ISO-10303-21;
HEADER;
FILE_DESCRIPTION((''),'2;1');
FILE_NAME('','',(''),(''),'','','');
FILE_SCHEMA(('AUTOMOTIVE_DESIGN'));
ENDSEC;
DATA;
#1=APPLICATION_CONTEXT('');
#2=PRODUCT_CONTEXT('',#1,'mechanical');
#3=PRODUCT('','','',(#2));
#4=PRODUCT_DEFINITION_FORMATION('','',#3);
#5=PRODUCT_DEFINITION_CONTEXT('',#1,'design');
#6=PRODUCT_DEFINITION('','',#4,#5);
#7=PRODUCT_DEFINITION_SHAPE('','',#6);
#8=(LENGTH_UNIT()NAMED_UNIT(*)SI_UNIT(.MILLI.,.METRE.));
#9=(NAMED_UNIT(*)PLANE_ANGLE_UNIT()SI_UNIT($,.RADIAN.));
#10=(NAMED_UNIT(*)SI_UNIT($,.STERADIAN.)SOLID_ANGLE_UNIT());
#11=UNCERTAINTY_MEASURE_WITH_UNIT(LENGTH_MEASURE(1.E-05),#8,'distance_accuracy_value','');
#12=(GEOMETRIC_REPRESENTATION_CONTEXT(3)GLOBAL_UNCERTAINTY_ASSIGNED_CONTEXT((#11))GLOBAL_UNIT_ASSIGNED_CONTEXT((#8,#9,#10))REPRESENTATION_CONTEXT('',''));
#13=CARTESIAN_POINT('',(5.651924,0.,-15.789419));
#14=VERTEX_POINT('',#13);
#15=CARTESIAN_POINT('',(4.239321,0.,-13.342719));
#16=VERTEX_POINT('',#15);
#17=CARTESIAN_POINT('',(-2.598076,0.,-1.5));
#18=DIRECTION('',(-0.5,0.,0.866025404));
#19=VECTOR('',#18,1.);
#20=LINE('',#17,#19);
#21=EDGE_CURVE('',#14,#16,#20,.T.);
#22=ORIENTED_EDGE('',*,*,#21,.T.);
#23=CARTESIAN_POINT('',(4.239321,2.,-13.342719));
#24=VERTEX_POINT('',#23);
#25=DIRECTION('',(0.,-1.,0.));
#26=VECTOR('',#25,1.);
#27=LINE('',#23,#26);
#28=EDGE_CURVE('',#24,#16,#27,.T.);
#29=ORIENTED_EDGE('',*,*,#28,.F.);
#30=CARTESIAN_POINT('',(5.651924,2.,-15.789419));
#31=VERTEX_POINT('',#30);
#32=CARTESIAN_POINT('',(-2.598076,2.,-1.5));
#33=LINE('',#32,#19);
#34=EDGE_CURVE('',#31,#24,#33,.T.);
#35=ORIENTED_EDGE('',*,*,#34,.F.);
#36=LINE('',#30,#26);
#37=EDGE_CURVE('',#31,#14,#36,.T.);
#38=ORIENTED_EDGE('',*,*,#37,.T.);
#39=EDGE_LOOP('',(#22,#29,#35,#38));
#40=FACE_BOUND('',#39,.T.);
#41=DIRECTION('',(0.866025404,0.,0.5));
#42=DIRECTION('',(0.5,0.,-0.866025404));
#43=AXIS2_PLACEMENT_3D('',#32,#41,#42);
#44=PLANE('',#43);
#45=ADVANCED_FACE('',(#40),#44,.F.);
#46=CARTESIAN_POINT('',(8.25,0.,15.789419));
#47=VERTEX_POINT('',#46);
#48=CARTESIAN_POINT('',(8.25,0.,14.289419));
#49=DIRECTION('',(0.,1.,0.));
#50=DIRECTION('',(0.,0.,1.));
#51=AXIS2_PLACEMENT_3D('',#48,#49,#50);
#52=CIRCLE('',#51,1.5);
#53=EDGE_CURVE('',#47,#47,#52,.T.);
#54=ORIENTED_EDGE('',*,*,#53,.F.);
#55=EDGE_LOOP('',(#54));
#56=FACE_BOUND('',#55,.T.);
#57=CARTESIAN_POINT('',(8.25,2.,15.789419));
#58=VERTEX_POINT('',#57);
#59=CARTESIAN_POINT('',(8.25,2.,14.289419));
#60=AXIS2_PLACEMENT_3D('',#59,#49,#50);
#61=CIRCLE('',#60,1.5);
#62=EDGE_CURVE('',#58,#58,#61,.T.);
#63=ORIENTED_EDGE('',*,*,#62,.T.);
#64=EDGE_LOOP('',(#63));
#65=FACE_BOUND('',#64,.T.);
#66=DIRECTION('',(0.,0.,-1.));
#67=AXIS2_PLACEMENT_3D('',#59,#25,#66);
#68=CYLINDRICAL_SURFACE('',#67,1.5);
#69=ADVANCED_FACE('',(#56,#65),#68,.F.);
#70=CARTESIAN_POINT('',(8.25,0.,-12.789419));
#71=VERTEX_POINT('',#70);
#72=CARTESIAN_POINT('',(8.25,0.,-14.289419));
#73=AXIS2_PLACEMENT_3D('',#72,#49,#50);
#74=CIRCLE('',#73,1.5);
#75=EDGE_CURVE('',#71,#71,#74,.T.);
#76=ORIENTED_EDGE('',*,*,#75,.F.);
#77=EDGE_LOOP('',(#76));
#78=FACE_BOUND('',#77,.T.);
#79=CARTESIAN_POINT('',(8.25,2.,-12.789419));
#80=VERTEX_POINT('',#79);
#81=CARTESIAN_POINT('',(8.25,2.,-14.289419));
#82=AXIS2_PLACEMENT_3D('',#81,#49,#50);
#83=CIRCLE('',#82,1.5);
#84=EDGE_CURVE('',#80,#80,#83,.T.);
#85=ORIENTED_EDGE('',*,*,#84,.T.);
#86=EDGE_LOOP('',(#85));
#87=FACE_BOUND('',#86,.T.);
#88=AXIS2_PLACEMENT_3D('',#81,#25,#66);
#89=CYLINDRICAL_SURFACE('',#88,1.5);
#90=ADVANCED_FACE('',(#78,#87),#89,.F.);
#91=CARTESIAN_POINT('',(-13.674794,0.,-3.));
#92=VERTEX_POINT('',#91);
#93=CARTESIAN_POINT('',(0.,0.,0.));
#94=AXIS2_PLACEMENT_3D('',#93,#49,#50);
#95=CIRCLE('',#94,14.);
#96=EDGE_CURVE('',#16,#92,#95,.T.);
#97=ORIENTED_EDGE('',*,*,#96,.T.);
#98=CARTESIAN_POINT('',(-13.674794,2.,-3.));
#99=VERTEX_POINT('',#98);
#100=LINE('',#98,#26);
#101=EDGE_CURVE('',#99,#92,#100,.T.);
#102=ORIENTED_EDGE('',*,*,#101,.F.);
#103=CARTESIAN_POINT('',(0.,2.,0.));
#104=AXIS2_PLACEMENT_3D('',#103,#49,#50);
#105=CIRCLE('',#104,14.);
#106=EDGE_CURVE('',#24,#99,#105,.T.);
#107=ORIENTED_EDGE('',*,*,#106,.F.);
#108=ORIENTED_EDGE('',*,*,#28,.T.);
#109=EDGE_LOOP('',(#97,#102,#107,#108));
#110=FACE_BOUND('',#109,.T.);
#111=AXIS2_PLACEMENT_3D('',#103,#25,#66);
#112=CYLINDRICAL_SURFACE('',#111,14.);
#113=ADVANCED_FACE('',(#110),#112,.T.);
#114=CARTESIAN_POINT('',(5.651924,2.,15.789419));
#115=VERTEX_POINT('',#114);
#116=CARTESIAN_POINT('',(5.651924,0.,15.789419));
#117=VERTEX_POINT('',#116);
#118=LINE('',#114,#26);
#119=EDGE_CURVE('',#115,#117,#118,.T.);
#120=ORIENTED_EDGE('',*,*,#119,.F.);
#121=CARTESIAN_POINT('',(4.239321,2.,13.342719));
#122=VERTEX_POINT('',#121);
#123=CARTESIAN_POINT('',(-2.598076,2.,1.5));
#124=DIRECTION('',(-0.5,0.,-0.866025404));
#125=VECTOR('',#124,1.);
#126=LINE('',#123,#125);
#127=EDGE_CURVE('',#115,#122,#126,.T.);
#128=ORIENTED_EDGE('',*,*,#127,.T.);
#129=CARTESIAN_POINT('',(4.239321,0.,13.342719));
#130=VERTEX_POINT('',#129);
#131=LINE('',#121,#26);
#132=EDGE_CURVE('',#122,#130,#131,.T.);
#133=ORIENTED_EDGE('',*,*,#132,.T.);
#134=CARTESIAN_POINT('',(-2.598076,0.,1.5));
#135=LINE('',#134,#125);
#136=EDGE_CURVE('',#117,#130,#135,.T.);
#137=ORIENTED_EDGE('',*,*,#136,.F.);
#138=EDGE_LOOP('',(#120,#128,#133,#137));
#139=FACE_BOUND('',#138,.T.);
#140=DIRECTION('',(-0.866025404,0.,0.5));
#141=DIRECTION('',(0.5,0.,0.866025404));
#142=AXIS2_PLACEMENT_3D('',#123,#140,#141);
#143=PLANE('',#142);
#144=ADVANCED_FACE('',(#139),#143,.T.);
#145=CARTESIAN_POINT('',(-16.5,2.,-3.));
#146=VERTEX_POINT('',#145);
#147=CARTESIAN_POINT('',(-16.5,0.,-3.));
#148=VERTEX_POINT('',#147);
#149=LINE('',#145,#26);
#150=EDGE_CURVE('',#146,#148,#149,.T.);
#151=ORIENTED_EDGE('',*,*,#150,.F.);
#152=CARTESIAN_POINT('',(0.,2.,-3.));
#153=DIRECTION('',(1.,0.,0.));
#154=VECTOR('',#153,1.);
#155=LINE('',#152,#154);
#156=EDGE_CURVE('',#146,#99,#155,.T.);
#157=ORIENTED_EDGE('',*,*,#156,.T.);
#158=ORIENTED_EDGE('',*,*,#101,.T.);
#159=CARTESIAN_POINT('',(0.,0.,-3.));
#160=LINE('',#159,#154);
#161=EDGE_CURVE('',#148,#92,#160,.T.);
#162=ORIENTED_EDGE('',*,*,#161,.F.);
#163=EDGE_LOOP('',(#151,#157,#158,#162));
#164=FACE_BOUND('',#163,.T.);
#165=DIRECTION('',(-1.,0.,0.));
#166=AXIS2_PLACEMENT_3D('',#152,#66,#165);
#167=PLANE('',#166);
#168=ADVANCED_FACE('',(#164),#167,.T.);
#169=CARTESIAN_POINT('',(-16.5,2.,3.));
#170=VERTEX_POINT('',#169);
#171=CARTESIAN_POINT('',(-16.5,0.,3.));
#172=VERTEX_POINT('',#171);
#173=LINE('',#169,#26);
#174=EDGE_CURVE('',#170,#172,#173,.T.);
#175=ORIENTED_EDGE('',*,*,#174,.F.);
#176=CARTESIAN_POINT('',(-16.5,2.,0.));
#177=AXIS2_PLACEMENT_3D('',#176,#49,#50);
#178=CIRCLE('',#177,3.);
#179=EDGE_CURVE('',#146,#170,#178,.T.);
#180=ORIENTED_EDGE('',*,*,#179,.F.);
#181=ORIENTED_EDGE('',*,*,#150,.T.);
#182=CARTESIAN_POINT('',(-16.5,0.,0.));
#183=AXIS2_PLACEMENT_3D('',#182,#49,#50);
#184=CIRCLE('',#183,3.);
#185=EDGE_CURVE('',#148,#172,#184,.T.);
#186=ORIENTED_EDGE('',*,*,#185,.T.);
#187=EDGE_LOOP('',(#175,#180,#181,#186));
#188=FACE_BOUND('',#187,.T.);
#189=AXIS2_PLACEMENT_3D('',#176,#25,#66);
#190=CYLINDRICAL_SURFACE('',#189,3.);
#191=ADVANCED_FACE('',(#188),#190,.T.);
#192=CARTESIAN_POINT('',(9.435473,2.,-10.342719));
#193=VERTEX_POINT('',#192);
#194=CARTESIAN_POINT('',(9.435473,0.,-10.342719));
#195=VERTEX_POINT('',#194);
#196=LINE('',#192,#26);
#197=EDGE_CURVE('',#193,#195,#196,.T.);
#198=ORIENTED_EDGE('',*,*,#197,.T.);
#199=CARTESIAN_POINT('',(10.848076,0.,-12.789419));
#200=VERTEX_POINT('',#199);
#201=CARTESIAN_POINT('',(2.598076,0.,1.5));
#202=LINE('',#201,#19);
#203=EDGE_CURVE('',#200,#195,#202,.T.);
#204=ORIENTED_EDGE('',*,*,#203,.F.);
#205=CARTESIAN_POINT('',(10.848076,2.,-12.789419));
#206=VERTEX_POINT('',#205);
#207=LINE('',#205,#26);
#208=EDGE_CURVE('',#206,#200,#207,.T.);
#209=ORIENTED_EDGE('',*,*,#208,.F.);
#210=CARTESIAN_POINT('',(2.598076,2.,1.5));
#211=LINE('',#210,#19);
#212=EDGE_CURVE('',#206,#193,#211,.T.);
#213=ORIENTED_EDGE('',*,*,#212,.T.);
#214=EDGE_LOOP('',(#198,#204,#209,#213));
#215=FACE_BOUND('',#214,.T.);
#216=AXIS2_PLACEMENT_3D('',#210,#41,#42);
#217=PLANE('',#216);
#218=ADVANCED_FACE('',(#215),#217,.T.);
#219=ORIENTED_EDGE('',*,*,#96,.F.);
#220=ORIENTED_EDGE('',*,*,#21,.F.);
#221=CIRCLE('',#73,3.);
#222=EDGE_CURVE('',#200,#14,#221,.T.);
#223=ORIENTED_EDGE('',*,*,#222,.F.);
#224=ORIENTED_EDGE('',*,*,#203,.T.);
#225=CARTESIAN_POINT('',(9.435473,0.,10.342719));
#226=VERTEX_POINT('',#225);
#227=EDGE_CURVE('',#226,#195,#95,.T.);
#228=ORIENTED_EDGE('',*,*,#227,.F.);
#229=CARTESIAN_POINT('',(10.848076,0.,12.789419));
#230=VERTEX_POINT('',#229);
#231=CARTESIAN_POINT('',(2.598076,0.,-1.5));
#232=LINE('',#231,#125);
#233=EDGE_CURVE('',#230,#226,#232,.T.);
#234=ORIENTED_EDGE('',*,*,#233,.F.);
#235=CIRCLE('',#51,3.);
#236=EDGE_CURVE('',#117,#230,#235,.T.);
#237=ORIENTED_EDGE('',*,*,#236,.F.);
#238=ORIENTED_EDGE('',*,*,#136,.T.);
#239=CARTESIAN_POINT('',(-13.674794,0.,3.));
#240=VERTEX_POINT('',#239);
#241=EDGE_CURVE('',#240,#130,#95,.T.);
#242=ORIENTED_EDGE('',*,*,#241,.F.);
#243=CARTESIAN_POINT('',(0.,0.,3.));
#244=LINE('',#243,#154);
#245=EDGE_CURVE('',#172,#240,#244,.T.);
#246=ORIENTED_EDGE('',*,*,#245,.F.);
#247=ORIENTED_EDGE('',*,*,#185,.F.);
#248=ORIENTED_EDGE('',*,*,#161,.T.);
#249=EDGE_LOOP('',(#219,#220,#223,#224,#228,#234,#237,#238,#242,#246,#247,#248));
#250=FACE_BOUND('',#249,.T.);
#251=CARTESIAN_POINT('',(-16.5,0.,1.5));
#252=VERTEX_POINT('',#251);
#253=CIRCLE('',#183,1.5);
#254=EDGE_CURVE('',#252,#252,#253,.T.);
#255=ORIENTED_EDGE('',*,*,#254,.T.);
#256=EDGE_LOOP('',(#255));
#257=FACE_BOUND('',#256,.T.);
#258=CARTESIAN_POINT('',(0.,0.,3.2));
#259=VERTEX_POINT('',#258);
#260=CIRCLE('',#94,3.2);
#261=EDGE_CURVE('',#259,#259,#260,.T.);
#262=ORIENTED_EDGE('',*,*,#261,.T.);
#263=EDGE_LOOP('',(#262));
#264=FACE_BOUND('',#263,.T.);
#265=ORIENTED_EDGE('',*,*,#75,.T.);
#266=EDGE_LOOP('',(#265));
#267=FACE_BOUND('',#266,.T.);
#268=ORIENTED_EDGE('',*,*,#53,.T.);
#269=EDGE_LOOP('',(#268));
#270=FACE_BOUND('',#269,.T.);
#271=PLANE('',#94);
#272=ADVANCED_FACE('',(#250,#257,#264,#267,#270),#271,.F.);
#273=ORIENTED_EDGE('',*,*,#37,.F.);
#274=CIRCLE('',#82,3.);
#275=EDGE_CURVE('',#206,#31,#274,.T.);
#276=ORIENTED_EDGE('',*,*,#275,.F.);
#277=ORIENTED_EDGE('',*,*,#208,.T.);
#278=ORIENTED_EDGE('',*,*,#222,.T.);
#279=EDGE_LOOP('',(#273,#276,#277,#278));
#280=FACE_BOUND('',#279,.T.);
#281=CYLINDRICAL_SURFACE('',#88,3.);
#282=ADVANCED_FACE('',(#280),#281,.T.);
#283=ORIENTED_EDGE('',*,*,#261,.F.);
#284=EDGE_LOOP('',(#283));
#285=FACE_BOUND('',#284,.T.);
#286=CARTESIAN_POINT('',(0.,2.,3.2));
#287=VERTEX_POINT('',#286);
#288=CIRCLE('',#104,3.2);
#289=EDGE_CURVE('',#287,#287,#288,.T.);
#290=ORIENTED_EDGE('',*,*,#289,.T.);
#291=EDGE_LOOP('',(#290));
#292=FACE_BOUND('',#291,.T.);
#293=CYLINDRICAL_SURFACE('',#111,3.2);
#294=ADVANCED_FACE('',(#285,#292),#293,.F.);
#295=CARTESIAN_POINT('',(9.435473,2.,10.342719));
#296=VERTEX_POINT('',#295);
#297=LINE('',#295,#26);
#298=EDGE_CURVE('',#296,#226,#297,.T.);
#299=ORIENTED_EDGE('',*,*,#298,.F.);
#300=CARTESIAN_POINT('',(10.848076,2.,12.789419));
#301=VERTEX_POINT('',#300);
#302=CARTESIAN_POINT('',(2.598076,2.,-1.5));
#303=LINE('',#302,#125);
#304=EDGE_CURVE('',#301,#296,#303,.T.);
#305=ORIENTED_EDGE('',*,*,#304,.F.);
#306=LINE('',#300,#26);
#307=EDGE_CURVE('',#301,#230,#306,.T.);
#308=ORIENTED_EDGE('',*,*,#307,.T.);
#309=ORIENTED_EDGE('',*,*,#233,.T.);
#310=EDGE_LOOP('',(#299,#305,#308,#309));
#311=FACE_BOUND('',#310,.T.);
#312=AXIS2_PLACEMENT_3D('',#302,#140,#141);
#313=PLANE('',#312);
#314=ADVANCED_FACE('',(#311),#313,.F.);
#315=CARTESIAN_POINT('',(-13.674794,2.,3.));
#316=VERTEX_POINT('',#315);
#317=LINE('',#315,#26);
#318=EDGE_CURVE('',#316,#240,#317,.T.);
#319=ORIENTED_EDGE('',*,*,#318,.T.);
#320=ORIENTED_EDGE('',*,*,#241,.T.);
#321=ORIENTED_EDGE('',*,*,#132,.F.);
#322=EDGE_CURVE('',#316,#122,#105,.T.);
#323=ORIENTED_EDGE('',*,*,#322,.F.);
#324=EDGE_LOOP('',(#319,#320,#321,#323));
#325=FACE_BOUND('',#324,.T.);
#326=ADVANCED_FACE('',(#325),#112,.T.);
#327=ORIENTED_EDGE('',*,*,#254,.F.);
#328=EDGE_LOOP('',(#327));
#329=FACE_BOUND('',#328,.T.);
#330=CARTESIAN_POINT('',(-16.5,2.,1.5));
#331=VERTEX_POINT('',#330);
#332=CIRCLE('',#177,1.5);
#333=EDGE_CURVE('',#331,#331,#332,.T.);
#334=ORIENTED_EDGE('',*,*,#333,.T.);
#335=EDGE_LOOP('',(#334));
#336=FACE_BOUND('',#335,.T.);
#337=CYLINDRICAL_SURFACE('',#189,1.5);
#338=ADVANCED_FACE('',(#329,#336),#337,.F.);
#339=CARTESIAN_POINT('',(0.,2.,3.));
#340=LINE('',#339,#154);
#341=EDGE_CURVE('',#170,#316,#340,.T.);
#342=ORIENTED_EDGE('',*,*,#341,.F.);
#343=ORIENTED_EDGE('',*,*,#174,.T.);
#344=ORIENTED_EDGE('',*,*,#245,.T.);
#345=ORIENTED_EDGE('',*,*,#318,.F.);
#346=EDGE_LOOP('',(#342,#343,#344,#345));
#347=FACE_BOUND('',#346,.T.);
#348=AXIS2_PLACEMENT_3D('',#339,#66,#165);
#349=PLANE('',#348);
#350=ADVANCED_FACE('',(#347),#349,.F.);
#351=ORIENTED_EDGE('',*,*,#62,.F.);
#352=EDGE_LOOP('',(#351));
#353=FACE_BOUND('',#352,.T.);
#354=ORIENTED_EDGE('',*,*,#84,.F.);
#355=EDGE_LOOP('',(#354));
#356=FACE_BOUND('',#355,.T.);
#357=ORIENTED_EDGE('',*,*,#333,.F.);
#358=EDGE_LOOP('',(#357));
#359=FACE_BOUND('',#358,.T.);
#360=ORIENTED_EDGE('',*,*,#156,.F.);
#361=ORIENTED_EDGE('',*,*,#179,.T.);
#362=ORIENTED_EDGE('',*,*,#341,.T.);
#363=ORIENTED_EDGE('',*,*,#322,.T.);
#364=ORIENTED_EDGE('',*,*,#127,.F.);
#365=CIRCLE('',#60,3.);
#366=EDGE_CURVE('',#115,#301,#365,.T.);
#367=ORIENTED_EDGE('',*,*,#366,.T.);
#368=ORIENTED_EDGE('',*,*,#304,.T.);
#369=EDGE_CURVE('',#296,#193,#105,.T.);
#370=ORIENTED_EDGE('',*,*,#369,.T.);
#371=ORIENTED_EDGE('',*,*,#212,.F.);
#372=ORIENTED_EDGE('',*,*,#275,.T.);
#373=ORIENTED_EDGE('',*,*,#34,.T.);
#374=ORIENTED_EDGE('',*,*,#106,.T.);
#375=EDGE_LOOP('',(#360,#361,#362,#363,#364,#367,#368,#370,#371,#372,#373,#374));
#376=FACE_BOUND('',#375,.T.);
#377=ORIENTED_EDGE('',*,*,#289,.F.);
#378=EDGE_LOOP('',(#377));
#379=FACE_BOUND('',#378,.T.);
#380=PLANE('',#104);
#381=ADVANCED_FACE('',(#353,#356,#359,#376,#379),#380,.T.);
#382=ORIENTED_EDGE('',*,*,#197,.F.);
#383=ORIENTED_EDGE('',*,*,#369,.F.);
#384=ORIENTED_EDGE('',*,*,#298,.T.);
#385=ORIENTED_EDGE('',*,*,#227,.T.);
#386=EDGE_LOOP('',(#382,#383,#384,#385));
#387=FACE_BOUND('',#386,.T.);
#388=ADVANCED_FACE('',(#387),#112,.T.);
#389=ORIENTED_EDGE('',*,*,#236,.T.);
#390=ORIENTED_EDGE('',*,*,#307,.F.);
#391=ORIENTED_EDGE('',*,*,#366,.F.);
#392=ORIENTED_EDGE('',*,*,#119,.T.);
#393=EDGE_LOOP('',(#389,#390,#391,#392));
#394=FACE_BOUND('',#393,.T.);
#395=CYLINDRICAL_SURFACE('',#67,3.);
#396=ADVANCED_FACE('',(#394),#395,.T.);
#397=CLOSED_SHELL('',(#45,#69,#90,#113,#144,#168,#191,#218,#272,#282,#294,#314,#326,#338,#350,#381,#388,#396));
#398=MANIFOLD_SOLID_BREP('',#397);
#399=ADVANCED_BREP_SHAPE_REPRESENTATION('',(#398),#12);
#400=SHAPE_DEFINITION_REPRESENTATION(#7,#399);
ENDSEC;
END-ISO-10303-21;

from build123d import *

# Parameters (mm, degrees)
SKETCH_1_R      = 1.5
SKETCH_1_R_2    = 3.2
EXTRUDE_1_DEPTH = 2


with BuildPart() as part:
    # 草图1 → 凸台-拉伸1 (new body)
    with BuildSketch(Plane(origin=(0, 0, 0), x_dir=(1, 0, 0), z_dir=(0, 1, 0))):
        with BuildLine():
            ThreePointArc((-16.5, 3), (-19.5, 0), (-16.5, -3))
            Line((-16.5, -3), (-13.674794331, -3))
            ThreePointArc((-13.674794331, -3), (-7, -12.124355653), (4.239320954, -13.342719282))
            Line((4.239320954, -13.342719282), (5.651923789, -15.789419162))
            ThreePointArc((5.651923789, -15.789419162), (9.75, -16.887495374), (10.848076211, -12.789419162))
            Line((10.848076211, -12.789419162), (9.435473377, -10.342719282))
            ThreePointArc((9.435473377, -10.342719282), (14, 0), (9.435473377, 10.342719282))
            Line((9.435473377, 10.342719282), (10.848076211, 12.789419162))
            ThreePointArc((10.848076211, 12.789419162), (9.75, 16.887495374), (5.651923789, 15.789419162))
            Line((5.651923789, 15.789419162), (4.239320954, 13.342719282))
            ThreePointArc((4.239320954, 13.342719282), (-7, 12.124355653), (-13.674794331, 3))
            Line((-13.674794331, 3), (-16.5, 3))
        make_face()
        with Locations(Location((-16.5, 0, 0), (0, 0, 270))):
            Circle(SKETCH_1_R, mode=Mode.SUBTRACT)
        with Locations(Location((8.25, -14.289419162, 0), (0, 0, 270))):
            Circle(SKETCH_1_R, mode=Mode.SUBTRACT)
        with Locations(Location((0, 0, 0), (0, 0, 270))):
            Circle(SKETCH_1_R_2, mode=Mode.SUBTRACT)
        with Locations(Location((8.25, 14.289419162, 0), (0, 0, 270))):
            Circle(SKETCH_1_R, mode=Mode.SUBTRACT)
    extrude(amount=EXTRUDE_1_DEPTH)


solid = part.part
